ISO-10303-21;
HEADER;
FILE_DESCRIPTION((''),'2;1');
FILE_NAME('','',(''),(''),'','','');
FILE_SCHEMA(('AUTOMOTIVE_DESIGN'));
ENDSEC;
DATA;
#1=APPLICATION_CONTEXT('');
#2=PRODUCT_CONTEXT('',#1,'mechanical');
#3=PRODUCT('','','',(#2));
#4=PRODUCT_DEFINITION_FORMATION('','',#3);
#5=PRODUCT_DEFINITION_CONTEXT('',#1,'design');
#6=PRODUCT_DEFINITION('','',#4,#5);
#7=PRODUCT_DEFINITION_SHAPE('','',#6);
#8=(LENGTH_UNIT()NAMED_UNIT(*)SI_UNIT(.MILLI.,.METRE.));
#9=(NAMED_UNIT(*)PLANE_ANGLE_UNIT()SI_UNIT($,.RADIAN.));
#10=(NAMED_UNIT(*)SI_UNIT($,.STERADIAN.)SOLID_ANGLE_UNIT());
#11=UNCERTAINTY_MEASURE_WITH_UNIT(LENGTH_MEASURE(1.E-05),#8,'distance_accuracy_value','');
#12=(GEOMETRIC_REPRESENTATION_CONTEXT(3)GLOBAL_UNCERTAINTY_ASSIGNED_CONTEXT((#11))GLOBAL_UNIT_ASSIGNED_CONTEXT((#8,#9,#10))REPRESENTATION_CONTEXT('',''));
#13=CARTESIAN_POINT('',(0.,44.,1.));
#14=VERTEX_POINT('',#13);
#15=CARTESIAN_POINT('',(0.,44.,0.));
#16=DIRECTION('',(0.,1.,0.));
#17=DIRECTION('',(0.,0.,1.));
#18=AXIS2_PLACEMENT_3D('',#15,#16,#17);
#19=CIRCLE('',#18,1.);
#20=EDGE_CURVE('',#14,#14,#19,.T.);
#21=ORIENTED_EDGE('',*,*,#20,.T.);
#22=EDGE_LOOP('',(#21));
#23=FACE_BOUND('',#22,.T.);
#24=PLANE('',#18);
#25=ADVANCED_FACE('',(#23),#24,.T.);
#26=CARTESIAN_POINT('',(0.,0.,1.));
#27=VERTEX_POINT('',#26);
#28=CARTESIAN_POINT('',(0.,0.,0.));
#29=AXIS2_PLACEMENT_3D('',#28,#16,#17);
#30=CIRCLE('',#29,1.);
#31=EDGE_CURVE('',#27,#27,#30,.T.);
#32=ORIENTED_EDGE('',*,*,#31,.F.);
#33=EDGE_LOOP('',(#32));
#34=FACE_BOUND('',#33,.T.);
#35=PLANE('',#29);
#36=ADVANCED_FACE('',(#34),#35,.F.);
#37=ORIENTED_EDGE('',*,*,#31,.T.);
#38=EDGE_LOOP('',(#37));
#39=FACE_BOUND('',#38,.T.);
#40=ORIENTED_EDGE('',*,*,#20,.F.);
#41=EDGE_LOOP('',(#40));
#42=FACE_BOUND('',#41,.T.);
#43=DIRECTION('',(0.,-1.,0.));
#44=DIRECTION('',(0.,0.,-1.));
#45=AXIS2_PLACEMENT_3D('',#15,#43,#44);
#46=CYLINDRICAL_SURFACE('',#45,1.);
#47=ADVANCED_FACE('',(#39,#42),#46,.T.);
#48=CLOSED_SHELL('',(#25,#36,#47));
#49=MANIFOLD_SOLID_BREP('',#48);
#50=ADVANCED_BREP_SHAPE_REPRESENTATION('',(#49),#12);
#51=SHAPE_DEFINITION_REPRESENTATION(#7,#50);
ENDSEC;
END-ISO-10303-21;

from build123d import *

# Parameters (mm, degrees)
SKETCH_1_R      = 1
EXTRUDE_1_DEPTH = 44


with BuildPart() as part:
    # 草图1 → 凸台-拉伸1 (new body)
    with BuildSketch(Plane(origin=(0, 0, 0), x_dir=(1, 0, 0), z_dir=(0, 1, 0))):
        with Locations(Location((0, 0, 0), (0, 0, 270))):
            Circle(SKETCH_1_R)
    extrude(amount=EXTRUDE_1_DEPTH)


solid = part.part
